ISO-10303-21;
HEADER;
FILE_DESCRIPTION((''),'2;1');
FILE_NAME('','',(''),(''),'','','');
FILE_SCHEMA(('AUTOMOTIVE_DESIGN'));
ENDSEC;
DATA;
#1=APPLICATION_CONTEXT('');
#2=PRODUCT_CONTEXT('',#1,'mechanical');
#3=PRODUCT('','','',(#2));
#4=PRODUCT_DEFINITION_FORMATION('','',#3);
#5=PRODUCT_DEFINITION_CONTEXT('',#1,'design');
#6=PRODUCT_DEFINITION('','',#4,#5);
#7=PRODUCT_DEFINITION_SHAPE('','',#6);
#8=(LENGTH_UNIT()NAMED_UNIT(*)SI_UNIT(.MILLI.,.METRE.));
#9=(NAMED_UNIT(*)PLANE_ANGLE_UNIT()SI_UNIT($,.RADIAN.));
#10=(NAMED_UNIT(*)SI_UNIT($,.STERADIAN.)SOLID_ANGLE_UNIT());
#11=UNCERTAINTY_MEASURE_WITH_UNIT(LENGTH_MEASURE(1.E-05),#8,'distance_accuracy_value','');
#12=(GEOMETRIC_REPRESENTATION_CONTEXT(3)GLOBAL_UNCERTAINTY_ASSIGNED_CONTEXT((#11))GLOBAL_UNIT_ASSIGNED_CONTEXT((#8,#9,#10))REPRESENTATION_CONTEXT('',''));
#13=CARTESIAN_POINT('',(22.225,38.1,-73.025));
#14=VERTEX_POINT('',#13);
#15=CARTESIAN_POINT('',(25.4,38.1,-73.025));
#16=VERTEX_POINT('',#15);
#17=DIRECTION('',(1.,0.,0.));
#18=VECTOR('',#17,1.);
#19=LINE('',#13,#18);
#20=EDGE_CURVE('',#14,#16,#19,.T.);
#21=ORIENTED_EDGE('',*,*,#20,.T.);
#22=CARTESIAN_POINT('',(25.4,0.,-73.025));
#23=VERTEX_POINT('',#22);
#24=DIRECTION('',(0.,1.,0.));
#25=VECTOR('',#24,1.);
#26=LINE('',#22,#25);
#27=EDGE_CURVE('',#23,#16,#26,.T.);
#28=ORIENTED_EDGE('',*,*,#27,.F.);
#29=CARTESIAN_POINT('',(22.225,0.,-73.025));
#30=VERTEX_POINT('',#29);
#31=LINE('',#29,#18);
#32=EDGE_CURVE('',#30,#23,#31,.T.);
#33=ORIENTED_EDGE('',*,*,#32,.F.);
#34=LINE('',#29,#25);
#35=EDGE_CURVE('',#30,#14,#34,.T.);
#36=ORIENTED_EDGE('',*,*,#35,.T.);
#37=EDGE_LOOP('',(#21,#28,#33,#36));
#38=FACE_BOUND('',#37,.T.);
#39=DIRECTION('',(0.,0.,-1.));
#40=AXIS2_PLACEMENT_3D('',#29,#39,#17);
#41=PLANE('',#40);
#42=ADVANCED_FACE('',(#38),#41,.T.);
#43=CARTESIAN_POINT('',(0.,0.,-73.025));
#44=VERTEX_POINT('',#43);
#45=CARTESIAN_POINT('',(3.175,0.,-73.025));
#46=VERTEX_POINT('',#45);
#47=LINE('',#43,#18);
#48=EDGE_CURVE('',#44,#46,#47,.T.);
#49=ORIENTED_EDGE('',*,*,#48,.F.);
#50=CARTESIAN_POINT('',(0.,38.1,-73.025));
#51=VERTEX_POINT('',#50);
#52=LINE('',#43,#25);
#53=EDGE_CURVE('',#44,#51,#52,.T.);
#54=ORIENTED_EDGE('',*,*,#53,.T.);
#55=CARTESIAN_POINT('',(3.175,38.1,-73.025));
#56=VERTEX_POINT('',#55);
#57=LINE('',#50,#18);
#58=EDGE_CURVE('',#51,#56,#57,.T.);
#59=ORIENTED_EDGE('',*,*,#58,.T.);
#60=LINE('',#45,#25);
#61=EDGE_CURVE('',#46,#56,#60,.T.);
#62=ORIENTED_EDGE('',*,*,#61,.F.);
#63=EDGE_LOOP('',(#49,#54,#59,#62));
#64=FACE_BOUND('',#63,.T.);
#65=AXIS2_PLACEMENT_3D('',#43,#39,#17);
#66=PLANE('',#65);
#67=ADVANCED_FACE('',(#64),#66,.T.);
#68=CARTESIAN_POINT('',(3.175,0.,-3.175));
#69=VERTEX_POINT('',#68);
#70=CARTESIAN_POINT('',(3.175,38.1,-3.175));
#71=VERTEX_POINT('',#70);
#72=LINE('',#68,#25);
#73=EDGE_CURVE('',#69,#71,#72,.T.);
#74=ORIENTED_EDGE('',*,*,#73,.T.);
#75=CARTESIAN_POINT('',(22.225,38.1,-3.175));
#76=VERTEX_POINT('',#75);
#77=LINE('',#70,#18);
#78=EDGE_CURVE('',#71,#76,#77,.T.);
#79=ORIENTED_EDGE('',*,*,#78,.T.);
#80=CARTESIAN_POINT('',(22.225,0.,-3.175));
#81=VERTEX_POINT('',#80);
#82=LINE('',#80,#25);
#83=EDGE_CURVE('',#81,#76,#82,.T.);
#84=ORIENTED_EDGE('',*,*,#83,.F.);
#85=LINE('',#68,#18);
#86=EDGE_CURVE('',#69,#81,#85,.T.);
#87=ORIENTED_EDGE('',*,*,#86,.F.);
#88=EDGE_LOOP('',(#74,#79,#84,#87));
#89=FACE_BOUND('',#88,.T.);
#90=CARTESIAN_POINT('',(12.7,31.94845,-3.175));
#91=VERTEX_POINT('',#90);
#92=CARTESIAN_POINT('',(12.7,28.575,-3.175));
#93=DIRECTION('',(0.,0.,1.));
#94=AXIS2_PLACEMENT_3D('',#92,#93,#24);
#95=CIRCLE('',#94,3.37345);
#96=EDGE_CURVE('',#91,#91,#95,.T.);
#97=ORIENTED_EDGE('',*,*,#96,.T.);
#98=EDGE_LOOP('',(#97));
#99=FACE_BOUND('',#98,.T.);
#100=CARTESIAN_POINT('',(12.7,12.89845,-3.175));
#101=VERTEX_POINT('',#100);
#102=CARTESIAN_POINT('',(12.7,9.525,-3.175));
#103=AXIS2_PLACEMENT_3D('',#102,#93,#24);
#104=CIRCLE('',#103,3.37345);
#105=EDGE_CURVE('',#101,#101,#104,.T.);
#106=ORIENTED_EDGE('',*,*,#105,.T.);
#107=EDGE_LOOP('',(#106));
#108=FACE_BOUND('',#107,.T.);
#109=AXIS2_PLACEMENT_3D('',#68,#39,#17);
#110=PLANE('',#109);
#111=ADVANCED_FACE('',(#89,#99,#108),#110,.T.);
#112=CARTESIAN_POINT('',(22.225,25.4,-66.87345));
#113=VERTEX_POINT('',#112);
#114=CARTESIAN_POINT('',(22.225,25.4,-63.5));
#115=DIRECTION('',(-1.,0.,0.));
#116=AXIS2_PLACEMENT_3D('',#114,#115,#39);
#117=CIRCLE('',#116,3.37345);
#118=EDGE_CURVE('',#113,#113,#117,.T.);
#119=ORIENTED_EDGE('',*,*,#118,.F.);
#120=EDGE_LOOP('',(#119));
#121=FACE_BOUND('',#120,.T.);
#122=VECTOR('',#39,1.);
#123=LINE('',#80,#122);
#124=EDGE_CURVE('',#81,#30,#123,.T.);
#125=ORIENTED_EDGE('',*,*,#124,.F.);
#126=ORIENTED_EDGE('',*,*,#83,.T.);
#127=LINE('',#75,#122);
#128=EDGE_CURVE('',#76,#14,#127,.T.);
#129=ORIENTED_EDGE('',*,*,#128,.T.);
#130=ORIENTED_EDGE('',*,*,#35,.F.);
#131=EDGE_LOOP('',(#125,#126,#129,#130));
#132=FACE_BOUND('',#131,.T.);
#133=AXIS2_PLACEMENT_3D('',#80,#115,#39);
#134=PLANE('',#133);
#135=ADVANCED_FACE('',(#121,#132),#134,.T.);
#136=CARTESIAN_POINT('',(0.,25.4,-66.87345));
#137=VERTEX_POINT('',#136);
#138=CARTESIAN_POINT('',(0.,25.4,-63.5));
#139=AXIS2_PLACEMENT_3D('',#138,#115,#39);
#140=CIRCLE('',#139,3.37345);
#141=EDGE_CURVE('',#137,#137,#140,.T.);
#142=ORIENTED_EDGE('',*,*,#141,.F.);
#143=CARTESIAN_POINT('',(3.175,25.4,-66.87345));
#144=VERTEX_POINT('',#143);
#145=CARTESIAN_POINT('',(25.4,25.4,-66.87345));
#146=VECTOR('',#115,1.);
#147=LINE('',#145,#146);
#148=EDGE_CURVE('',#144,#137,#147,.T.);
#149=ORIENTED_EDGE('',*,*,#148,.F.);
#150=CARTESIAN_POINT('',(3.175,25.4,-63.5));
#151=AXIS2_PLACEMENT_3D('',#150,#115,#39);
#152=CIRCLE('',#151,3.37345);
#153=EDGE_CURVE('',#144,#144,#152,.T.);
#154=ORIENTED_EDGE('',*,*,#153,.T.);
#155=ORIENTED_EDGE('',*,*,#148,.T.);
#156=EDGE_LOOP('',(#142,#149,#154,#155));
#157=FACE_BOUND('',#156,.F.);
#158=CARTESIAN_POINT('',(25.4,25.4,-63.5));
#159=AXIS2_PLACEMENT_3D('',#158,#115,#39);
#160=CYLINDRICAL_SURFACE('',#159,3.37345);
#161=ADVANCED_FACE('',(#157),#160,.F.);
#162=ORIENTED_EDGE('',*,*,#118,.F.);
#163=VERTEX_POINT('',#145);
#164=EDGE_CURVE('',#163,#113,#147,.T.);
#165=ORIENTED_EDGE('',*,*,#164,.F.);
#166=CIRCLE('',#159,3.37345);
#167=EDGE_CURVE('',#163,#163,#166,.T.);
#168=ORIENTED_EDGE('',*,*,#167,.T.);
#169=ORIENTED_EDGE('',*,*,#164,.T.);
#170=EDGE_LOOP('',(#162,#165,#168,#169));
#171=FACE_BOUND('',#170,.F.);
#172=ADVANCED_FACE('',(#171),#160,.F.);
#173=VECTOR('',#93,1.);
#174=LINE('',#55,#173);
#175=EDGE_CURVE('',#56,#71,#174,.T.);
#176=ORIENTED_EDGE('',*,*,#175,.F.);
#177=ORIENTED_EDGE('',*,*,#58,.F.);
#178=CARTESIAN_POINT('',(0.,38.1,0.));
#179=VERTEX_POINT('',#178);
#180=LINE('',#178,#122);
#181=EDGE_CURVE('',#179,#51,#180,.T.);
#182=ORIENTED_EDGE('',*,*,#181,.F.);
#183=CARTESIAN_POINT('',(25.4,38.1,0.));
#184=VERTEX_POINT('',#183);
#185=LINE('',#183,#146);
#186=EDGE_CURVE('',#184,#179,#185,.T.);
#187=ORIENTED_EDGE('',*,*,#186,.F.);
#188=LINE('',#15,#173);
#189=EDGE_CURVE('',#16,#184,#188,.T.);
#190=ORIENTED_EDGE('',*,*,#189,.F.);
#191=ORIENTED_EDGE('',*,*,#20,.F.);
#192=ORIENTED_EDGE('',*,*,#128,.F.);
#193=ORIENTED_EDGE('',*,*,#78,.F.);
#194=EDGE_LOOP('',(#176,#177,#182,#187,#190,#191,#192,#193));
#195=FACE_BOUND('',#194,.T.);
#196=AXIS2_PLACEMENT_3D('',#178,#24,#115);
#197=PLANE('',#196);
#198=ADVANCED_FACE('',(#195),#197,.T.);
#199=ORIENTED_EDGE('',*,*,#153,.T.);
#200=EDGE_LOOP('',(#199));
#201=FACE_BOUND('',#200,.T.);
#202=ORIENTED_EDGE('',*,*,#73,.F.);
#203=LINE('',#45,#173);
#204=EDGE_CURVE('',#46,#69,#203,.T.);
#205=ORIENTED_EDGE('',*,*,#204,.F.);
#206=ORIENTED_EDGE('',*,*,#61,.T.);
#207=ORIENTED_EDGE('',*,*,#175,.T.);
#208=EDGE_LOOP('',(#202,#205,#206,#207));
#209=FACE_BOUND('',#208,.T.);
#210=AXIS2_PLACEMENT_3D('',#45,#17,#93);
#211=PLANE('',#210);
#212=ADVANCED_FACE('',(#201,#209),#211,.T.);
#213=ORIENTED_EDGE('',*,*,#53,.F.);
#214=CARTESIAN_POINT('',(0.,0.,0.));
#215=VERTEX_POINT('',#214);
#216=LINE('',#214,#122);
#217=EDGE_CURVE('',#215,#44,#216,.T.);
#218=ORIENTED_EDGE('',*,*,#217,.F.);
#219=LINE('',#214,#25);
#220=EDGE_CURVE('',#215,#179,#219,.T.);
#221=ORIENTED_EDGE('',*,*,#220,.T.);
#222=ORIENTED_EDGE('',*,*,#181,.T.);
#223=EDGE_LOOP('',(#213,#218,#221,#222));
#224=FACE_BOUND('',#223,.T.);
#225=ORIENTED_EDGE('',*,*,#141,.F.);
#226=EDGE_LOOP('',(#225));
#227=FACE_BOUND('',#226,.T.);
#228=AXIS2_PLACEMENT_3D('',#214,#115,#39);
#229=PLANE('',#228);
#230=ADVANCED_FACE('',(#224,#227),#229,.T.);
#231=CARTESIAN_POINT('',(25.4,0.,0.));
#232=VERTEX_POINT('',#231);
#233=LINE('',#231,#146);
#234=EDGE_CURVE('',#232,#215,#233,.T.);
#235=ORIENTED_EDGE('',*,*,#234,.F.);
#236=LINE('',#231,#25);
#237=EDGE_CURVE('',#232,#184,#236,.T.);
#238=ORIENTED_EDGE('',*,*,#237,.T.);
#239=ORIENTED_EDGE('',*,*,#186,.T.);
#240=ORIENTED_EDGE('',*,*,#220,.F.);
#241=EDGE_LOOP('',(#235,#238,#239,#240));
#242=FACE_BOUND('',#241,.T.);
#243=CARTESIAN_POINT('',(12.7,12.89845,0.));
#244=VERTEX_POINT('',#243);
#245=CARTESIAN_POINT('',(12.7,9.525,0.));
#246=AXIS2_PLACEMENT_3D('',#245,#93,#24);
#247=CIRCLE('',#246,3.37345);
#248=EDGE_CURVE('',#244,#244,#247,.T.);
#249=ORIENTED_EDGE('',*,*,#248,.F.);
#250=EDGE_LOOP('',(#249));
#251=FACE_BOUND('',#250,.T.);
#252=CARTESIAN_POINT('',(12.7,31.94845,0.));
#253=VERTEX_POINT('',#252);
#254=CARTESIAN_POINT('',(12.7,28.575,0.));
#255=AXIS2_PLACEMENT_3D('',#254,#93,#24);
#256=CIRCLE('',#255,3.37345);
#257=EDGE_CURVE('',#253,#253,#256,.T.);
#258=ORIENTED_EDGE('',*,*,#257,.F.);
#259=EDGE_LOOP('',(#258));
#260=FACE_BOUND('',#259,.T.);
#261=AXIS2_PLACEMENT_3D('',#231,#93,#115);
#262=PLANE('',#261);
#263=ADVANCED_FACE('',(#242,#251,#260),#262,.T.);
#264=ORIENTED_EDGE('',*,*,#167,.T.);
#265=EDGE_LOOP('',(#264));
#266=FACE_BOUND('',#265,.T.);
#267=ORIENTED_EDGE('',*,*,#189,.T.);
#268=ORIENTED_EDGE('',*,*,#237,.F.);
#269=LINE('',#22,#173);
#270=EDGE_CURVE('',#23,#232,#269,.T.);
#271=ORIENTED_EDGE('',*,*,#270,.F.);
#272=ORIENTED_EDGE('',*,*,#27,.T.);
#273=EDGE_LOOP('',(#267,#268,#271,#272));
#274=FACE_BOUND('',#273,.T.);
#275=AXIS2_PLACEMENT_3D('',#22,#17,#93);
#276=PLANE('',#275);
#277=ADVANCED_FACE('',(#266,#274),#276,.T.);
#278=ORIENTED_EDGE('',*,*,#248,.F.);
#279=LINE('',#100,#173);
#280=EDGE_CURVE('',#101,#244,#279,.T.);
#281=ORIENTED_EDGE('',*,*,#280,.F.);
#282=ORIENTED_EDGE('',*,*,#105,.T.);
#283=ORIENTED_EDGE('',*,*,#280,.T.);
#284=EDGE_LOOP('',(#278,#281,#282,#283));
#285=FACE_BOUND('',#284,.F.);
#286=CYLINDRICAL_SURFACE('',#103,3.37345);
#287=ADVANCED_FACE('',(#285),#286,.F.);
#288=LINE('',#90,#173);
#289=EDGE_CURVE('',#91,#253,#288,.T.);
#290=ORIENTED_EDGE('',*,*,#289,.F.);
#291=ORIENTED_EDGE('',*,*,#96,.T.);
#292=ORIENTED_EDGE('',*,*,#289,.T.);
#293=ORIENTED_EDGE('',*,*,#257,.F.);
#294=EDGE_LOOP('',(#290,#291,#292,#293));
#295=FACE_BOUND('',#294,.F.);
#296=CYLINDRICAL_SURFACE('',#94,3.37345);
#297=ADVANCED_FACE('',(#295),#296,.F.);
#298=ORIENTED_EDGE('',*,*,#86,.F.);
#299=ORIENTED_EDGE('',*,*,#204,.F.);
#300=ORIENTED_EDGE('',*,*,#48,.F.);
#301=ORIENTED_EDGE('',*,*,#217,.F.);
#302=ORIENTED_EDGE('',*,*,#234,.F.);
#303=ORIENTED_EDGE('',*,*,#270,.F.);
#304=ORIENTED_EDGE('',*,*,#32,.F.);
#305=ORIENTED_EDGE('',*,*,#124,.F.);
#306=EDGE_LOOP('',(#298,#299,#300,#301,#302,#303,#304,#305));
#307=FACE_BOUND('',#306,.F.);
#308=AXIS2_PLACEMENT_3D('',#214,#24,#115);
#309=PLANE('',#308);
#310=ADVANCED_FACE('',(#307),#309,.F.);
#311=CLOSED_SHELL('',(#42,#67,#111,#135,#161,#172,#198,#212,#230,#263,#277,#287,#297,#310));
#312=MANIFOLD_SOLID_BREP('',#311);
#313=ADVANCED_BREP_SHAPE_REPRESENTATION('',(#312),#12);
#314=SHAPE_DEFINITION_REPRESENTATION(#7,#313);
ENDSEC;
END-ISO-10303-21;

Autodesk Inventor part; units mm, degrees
ref_plane "YZ Plane" through (0, 0, 0) normal (1, 0, 0) x (0, 1, 0)
ref_plane "XZ Plane" through (0, 0, 0) normal (0, 1, 0) x (-1, 0, 0)
ref_plane "XY Plane" through (0, 0, 0) normal (0, 0, 1) x (1, 0, 0)
sketch "Sketch1" plane through (0, 0, 0) normal (0, 1, 0) x (-1, 0, 0)
  line L0 (0, 0) -> (0, -73.025)
  line L1 (0, -73.025) -> (-3.175, -73.025)
  line L2 (-3.175, -73.025) -> (-3.175, -3.175)
  line L3 (-3.175, -3.175) -> (-22.225, -3.175)
  line L4 (-22.225, -3.175) -> (-22.225, -73.025)
  line L5 (-22.225, -73.025) -> (-25.4, -73.025)
  line L6 (-25.4, -73.025) -> (-25.4, 0)
  line L7 (-25.4, 0) -> (0, 0)
  dimension "d0" = 3.175
  dimension "d1" = 73.025
  dimension "d2" = 3.175
  dimension "d3" = 25.4
  dimension "d4" = 3.175
extrude "Extrusion1" add sketch "Sketch1" along normal blind 38.1
sketch "Sketch2" plane through (25.4, 0, 0) normal (1, 0, 0) x (0, 0, -1)
  line L0 (73.025, 0) -> (73.025, 38.1) projected
  line L1 (73.025, 0) -> (0, 0) projected
  point P0 (63.5, 25.4)
  dimension "d7" = 9.525
  dimension "d8" = 25.4
hole "Hole1" at (25.4, 25.4, -63.5) direction (-1, 0, 0) diameter 6.7469 end through all
sketch "Sketch3" plane through (22.225, 0, -3.175) normal (0, 0, -1) x (-1, 0, 0)
  line L0 (-3.175, 0) -> (22.225, 0) projected
  line L1 (0, 38.1) -> (19.05, 38.1) projected
  line L2 (22.225, 0) -> (22.225, 38.1) projected
  line L3 (-3.175, 0) -> (-3.175, 38.1) projected
  point P0 (9.525, 9.525)
  point P1 (9.525, 28.575)
  point P2 (22.225, 31.75)
  point P3 (-3.175, 31.75)
  dimension "d19" = 9.525
  dimension "d20" = 9.525
  dimension "d21" = 12.7
  dimension "d22" = 12.7
hole "Hole2" at (12.7, 9.525, -3.175) at (12.7, 28.575, -3.175) direction (0, 0, 1) diameter 6.7469 end through all
properties part number "15102898-16-P-0311" material "Aluminum 6061"
